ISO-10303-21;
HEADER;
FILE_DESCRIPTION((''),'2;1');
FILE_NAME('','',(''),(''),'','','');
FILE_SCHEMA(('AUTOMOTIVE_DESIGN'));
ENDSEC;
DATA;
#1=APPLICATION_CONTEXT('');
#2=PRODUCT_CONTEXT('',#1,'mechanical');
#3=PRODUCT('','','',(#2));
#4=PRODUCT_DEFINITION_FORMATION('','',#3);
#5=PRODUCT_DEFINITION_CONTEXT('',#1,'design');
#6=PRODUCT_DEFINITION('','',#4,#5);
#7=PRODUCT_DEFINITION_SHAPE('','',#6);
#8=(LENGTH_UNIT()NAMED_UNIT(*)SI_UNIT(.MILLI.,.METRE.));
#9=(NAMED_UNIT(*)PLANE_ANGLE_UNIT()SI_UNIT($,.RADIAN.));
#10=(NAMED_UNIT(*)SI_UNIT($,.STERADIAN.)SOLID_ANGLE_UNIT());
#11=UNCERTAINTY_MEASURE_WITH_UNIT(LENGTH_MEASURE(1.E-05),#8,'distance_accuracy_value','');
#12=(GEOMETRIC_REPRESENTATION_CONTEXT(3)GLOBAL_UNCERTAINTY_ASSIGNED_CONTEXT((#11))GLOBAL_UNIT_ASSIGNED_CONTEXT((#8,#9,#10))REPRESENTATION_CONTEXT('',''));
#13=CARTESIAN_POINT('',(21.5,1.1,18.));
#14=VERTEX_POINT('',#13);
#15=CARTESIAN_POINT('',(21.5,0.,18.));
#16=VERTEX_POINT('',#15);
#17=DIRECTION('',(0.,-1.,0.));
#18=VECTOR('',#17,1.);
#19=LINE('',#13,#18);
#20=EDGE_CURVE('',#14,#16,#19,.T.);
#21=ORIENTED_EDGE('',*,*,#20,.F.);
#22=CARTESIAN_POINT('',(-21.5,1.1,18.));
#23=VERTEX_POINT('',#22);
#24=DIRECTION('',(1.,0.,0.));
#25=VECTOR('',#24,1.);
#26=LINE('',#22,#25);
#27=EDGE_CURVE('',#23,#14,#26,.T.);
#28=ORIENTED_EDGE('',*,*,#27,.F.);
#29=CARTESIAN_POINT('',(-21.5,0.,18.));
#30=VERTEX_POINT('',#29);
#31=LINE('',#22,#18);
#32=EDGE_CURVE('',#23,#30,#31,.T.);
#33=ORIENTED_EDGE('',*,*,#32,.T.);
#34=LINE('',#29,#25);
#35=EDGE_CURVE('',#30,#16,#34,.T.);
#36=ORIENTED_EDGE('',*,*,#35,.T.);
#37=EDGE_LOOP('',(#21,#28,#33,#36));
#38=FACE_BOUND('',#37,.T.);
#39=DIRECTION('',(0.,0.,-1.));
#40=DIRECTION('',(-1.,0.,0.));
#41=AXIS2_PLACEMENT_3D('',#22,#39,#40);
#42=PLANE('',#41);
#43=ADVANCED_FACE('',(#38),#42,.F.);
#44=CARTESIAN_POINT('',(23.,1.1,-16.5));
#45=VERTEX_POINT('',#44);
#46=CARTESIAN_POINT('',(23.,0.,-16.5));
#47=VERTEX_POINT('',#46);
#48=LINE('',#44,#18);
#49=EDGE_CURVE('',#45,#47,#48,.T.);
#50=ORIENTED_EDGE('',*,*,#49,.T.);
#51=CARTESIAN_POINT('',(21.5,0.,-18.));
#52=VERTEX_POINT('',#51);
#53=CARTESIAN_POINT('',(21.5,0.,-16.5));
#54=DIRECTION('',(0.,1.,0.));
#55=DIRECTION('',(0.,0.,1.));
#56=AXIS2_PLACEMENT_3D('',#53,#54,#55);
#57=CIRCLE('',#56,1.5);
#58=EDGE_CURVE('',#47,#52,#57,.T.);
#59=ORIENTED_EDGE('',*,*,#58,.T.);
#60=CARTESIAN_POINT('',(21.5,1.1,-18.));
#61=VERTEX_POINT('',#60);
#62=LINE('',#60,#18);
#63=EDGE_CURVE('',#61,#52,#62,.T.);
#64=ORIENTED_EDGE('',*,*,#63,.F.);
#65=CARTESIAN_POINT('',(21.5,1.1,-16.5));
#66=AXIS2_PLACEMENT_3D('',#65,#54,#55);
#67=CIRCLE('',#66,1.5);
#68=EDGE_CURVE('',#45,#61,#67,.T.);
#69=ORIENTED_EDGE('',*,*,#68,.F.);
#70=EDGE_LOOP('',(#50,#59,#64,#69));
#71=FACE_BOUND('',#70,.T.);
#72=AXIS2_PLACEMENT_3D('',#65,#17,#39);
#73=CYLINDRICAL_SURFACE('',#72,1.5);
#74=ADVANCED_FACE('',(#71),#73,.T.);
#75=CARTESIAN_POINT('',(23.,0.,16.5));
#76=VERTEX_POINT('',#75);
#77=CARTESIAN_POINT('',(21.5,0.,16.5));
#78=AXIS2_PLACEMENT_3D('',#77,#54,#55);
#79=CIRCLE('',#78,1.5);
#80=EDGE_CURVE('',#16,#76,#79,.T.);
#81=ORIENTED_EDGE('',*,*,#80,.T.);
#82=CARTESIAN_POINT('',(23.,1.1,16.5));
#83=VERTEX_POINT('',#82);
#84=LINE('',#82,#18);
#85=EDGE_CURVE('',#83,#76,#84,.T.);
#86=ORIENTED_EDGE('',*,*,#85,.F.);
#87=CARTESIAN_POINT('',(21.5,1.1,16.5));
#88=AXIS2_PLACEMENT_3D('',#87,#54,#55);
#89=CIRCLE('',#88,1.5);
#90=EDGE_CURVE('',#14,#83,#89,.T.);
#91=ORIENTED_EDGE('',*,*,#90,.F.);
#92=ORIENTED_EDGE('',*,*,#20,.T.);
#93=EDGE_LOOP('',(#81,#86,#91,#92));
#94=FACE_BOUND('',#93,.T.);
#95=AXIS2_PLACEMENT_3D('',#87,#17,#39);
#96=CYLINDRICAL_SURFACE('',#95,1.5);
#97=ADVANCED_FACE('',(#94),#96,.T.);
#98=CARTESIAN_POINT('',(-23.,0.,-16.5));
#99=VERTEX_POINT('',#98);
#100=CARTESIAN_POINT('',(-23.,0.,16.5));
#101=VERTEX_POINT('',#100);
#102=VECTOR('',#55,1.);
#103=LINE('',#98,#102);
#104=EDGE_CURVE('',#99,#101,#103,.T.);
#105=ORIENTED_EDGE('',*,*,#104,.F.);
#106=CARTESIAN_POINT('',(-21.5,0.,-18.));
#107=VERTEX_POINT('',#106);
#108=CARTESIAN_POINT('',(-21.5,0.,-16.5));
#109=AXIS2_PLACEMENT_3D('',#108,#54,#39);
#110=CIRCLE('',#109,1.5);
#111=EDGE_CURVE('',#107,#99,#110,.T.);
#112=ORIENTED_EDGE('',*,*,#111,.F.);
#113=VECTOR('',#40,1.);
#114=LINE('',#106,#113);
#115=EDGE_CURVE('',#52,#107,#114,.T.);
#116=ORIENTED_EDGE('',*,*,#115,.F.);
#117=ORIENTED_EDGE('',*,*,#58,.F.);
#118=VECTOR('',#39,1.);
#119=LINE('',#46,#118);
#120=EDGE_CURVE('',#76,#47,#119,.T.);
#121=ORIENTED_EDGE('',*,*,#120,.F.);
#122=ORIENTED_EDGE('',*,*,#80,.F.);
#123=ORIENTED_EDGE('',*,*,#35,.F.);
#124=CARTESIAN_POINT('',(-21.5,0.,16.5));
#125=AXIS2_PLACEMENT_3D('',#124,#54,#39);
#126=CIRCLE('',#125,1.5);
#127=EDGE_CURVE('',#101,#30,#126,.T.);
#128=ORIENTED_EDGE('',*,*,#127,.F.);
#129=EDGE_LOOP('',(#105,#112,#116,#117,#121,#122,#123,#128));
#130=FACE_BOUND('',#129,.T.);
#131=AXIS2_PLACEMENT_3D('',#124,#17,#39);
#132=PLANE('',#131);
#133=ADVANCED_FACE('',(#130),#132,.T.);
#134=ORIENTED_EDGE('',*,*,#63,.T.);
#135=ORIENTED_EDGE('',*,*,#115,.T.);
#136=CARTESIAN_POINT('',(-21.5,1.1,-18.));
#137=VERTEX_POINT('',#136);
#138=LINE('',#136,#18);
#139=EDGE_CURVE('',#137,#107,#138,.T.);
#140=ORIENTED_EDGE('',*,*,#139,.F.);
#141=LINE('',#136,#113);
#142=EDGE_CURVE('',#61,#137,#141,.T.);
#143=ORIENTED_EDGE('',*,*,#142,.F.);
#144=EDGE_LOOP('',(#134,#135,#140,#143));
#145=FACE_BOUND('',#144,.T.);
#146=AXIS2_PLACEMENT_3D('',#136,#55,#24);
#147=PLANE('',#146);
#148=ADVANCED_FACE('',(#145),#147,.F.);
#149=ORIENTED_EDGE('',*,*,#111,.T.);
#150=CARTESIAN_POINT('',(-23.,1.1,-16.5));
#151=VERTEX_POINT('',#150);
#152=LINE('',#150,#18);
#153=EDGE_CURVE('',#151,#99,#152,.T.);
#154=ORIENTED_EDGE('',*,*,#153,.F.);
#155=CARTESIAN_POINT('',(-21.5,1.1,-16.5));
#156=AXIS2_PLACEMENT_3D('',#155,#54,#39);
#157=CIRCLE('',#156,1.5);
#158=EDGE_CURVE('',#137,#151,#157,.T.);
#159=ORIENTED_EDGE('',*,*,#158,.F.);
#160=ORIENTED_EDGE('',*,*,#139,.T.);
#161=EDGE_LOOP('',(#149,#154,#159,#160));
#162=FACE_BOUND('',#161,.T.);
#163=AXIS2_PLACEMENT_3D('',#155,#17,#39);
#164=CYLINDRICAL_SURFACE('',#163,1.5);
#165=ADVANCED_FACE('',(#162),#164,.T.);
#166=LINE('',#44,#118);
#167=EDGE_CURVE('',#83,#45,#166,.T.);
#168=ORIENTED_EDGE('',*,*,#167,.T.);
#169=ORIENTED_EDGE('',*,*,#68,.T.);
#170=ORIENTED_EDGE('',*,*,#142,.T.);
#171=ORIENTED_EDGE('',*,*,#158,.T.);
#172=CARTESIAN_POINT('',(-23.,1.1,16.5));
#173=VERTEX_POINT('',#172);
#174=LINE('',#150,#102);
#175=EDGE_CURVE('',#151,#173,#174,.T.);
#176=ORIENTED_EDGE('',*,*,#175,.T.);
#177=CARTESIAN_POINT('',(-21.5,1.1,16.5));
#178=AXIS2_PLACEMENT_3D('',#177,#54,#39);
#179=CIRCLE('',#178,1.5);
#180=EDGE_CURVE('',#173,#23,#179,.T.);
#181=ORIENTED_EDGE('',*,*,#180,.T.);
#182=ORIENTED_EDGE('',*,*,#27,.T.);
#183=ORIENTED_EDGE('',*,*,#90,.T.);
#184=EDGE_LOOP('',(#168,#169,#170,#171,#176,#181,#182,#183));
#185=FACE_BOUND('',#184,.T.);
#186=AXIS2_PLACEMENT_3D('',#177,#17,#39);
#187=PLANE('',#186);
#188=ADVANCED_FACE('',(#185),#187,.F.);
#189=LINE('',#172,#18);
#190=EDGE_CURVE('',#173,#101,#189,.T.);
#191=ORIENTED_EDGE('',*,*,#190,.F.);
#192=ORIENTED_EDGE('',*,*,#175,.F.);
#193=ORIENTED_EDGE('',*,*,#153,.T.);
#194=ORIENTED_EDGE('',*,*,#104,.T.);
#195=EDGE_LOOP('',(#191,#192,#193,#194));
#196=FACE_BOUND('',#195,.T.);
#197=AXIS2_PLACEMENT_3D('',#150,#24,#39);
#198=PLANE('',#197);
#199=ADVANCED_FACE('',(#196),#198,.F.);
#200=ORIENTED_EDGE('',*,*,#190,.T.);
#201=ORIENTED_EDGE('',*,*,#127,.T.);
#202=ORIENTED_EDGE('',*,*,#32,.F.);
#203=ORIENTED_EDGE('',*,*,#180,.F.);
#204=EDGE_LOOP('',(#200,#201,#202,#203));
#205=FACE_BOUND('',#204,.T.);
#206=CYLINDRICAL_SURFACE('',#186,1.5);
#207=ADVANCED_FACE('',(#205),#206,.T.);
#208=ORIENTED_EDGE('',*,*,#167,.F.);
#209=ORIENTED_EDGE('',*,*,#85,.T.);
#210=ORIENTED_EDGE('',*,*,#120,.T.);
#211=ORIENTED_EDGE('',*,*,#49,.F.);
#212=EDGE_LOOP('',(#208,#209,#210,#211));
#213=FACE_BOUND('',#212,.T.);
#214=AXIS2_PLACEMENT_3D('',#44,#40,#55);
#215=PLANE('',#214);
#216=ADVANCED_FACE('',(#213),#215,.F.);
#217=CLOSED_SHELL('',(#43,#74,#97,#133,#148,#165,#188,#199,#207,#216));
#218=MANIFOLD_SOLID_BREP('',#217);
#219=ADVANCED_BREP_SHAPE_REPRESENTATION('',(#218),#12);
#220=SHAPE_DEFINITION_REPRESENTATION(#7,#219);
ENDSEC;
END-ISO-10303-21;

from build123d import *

# Parameters (mm, degrees)
BOSS_EXTRUDE1_DEPTH = 1.1


with BuildPart() as part:
    # Sketch1 → Boss-Extrude1 (new body)
    with BuildSketch(Plane(origin=(0, 0, 0), x_dir=(1, 0, 0), z_dir=(0, 1, 0))):
        with BuildLine():
            Line((-21.5, 18), (21.5, 18))
            ThreePointArc((21.5, 18), (22.560660172, 17.560660172), (23, 16.5))
            Line((23, 16.5), (23, -16.5))
            ThreePointArc((23, -16.5), (22.560660172, -17.560660172), (21.5, -18))
            Line((21.5, -18), (-21.5, -18))
            ThreePointArc((-21.5, -18), (-22.560660172, -17.560660172), (-23, -16.5))
            Line((-23, -16.5), (-23, 16.5))
            ThreePointArc((-23, 16.5), (-22.560660172, 17.560660172), (-21.5, 18))
        make_face()
    extrude(amount=BOSS_EXTRUDE1_DEPTH)


solid = part.part
